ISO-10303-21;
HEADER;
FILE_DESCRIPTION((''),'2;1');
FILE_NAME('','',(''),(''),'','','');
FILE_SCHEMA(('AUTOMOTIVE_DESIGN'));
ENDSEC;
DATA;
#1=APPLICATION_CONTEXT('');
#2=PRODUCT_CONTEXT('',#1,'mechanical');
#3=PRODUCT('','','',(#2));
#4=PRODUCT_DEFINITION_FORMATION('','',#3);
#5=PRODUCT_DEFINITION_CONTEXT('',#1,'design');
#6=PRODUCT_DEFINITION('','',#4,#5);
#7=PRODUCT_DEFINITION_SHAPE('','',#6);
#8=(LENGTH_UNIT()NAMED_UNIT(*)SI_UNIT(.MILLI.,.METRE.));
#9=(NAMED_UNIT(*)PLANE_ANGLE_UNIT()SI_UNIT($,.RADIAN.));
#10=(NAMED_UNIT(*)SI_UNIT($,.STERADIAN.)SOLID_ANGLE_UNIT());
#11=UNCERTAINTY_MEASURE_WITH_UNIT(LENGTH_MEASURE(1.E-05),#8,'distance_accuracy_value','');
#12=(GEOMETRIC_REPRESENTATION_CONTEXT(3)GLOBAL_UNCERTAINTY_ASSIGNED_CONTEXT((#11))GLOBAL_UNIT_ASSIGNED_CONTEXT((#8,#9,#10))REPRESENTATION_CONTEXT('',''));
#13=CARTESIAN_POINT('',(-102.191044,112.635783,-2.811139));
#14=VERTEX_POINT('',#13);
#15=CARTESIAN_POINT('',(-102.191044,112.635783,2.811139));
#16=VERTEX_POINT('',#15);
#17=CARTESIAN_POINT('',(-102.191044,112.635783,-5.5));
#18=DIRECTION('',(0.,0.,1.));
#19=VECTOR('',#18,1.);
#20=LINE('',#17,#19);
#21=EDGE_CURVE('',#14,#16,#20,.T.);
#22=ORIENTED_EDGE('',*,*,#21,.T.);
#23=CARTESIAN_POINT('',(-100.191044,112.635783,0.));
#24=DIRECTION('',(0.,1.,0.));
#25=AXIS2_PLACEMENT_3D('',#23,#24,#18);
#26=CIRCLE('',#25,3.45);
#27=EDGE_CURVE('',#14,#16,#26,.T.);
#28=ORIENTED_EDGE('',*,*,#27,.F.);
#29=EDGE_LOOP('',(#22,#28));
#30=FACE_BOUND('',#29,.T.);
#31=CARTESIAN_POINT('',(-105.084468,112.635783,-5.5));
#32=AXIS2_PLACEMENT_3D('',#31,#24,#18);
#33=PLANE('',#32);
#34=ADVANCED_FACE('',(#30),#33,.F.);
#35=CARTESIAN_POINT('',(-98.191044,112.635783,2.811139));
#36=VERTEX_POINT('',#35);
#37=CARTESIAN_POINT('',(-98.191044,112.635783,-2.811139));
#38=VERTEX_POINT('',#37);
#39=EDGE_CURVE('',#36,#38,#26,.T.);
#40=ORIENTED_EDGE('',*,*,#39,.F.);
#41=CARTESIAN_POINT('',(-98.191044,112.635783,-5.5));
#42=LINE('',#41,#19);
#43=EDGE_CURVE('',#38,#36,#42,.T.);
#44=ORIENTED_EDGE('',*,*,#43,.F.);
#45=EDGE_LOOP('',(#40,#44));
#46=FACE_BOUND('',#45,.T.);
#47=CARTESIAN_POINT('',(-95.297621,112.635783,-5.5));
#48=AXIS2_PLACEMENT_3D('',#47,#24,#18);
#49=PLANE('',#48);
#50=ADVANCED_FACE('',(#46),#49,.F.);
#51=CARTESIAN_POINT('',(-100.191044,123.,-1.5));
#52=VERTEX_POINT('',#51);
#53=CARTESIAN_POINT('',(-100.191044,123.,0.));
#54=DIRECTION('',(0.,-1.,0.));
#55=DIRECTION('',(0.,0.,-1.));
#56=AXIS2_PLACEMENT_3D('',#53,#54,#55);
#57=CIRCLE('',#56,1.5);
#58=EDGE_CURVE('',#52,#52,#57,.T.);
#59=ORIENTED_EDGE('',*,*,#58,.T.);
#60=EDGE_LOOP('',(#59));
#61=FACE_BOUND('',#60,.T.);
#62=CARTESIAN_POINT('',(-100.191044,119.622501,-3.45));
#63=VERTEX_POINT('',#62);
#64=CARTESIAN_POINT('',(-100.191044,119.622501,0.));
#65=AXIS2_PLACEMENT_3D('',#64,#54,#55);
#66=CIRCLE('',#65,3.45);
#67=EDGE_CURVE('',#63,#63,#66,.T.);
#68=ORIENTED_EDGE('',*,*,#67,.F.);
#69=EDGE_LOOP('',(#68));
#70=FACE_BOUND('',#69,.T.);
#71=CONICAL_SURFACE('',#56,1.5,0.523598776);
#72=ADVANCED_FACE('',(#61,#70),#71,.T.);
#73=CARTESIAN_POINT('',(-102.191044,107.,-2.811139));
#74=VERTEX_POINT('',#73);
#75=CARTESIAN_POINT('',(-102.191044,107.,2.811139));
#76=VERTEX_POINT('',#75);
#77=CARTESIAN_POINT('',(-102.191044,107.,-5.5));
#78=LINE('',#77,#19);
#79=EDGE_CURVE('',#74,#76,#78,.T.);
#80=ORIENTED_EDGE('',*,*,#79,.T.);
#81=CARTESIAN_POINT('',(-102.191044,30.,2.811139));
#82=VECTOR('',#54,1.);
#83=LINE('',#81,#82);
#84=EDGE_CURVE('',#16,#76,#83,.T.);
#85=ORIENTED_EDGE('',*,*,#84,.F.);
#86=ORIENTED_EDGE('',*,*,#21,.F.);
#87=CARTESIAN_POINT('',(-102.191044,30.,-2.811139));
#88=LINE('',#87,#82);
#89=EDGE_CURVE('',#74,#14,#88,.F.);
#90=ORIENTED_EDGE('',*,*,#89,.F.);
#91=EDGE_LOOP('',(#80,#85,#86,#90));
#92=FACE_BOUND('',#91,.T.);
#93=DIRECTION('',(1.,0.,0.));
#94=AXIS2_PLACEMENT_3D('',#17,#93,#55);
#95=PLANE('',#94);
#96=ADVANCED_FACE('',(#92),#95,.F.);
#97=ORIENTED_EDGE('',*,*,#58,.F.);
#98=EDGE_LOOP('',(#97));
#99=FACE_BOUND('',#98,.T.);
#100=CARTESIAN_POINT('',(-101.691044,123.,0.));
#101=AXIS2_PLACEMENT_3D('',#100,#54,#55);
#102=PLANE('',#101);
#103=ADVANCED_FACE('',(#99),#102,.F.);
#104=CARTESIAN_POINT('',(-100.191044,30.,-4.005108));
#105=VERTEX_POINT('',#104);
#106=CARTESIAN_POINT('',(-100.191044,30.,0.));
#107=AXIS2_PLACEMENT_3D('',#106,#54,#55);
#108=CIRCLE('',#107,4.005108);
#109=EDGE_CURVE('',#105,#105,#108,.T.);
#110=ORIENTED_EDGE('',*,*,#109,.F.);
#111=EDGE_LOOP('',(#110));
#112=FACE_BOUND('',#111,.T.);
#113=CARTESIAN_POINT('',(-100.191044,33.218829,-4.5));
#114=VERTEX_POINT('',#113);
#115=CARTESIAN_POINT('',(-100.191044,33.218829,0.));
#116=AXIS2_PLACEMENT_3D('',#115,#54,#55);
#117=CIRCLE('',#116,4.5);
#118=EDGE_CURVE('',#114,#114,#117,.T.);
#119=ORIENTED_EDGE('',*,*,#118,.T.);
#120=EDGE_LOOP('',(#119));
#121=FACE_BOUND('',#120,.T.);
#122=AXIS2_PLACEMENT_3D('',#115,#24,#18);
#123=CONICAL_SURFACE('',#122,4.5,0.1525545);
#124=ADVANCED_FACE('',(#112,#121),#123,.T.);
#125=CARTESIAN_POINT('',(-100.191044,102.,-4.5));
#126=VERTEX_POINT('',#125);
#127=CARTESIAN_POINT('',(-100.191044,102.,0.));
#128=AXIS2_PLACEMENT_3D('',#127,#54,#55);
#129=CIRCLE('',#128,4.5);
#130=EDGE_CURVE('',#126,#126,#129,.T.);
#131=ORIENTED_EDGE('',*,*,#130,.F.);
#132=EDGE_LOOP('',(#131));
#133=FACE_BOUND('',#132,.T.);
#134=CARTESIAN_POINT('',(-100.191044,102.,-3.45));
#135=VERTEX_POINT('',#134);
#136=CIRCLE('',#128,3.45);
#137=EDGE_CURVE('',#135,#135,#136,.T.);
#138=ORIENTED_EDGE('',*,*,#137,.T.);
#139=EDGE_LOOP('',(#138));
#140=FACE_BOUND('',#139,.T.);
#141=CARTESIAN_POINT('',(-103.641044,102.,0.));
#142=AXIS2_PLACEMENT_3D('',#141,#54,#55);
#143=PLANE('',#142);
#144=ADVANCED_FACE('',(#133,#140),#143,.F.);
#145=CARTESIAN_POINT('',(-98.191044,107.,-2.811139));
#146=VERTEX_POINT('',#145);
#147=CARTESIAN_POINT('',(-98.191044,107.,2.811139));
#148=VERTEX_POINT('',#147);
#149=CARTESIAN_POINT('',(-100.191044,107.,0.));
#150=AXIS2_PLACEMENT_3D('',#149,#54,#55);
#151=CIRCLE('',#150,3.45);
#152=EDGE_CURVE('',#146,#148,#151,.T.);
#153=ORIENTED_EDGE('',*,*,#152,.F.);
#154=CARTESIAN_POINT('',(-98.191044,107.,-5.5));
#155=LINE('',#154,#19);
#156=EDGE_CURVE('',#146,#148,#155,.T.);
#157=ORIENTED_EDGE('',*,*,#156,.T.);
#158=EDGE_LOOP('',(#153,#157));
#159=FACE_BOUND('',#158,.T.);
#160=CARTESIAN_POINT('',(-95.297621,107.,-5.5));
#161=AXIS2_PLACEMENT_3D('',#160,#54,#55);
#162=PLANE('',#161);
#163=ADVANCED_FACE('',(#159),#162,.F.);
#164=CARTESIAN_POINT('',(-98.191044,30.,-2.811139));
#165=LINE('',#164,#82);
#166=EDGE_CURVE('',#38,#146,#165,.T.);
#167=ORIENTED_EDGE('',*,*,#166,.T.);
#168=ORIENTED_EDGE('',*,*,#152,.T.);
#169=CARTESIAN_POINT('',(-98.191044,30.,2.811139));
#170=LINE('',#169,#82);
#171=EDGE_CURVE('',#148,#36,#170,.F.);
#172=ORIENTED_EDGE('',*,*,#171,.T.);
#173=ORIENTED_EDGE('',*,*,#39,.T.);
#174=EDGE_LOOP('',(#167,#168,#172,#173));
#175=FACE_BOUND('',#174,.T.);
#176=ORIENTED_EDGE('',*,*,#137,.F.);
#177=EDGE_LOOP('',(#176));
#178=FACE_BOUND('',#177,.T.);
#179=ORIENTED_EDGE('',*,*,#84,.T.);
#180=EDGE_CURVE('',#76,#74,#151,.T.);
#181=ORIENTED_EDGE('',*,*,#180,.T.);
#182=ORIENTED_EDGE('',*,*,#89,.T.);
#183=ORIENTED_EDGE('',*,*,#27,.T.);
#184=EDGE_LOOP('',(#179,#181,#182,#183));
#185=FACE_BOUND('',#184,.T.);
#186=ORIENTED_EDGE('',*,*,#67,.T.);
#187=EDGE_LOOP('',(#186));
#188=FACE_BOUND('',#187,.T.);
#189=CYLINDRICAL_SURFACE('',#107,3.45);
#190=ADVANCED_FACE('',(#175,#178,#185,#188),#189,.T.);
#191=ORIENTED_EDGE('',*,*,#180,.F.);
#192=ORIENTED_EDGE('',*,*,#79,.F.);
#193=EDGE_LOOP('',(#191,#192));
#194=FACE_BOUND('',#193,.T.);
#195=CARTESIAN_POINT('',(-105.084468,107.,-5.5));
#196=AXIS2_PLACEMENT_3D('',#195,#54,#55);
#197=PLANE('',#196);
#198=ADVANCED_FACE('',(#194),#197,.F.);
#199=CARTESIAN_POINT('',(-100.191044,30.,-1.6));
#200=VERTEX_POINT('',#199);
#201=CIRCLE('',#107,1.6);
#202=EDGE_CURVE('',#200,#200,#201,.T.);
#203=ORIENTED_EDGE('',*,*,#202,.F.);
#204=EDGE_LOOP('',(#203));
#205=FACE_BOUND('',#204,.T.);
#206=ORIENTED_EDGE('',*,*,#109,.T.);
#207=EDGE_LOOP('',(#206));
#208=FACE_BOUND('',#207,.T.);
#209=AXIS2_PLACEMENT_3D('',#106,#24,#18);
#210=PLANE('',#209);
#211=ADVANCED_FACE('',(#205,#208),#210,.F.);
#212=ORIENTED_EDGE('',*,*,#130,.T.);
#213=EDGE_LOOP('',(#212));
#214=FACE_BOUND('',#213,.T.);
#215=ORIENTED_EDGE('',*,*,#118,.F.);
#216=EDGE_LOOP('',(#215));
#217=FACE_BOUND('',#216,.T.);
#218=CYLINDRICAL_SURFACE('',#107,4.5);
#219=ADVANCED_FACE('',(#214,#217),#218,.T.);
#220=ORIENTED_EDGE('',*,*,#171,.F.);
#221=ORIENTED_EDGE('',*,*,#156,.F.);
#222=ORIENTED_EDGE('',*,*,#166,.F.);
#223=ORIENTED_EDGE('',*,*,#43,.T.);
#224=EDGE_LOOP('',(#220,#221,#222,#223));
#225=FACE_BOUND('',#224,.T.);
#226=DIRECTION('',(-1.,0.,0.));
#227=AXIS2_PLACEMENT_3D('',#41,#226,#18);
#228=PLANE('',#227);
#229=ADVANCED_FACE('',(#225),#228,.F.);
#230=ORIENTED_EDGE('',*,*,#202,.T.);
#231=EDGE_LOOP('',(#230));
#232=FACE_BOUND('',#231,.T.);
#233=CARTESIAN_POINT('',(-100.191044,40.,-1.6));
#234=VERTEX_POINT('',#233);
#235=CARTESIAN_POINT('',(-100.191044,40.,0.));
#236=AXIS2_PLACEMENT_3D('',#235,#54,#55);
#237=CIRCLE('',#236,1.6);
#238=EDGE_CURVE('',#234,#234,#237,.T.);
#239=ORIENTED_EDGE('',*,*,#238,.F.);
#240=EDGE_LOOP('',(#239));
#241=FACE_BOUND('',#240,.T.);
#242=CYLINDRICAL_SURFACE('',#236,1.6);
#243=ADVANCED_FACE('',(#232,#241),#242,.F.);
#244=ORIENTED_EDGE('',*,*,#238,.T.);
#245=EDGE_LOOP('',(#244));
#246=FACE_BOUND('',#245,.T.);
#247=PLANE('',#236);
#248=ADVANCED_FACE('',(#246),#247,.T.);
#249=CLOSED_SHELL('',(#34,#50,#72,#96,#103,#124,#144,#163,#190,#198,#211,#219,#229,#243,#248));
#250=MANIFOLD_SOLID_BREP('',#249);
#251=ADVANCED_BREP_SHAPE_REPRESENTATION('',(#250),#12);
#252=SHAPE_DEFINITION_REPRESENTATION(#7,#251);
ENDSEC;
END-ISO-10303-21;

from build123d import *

# Parameters (mm, degrees)
ESQUISSE4_R             = 1.6
ENL_V_MAT_EXTRU_1_DEPTH = 10
ESQUISSE6_W             = 2.893423418
ESQUISSE6_H             = 5.635783234
ENL_V_MAT_EXTRU_3_DEPTH = 5.5


with BuildPart() as part:
    # Esquisse2 → Révolution1 (revolve)
    with BuildSketch(Plane.XY, mode=Mode.PRIVATE) as r_volution1_sk:
        Polygon((-100.191044353, 30), (-104.196152423, 30), (-104.691044353, 33.218828512), (-104.691044353, 102), (-103.641044353, 102), (-103.641044353, 119.622500925), (-101.691044353, 123), (-100.191044353, 123), align=None)
    revolve(r_volution1_sk.sketch.rotate(Axis((-100.191044353, 30, 0), (0, 1, 0)), 270), axis=Axis((-100.191044353, 30, 0), (0, 1, 0)))

    # Esquisse4 → Enlèv. mat.-Extru.1 (cut)
    with BuildSketch(Plane.XZ.offset(-30)):
        with Locations(Location((-100.191044353, 0, 0), (0, 0, 270))):
            Circle(ESQUISSE4_R)
    extrude(amount=-ENL_V_MAT_EXTRU_1_DEPTH, mode=Mode.SUBTRACT)

    # Esquisse6 → Enlèv. mat.-Extru.3 (cut, symmetric)
    with BuildSketch(Plane.XY):
        with Locations((-103.637756062, 109.817891617)):
            Rectangle(ESQUISSE6_W, ESQUISSE6_H)
        with Locations((-96.744332644, 109.817891617)):
            Rectangle(ESQUISSE6_W, ESQUISSE6_H)
    extrude(amount=ENL_V_MAT_EXTRU_3_DEPTH, both=True, mode=Mode.SUBTRACT)


solid = part.part
